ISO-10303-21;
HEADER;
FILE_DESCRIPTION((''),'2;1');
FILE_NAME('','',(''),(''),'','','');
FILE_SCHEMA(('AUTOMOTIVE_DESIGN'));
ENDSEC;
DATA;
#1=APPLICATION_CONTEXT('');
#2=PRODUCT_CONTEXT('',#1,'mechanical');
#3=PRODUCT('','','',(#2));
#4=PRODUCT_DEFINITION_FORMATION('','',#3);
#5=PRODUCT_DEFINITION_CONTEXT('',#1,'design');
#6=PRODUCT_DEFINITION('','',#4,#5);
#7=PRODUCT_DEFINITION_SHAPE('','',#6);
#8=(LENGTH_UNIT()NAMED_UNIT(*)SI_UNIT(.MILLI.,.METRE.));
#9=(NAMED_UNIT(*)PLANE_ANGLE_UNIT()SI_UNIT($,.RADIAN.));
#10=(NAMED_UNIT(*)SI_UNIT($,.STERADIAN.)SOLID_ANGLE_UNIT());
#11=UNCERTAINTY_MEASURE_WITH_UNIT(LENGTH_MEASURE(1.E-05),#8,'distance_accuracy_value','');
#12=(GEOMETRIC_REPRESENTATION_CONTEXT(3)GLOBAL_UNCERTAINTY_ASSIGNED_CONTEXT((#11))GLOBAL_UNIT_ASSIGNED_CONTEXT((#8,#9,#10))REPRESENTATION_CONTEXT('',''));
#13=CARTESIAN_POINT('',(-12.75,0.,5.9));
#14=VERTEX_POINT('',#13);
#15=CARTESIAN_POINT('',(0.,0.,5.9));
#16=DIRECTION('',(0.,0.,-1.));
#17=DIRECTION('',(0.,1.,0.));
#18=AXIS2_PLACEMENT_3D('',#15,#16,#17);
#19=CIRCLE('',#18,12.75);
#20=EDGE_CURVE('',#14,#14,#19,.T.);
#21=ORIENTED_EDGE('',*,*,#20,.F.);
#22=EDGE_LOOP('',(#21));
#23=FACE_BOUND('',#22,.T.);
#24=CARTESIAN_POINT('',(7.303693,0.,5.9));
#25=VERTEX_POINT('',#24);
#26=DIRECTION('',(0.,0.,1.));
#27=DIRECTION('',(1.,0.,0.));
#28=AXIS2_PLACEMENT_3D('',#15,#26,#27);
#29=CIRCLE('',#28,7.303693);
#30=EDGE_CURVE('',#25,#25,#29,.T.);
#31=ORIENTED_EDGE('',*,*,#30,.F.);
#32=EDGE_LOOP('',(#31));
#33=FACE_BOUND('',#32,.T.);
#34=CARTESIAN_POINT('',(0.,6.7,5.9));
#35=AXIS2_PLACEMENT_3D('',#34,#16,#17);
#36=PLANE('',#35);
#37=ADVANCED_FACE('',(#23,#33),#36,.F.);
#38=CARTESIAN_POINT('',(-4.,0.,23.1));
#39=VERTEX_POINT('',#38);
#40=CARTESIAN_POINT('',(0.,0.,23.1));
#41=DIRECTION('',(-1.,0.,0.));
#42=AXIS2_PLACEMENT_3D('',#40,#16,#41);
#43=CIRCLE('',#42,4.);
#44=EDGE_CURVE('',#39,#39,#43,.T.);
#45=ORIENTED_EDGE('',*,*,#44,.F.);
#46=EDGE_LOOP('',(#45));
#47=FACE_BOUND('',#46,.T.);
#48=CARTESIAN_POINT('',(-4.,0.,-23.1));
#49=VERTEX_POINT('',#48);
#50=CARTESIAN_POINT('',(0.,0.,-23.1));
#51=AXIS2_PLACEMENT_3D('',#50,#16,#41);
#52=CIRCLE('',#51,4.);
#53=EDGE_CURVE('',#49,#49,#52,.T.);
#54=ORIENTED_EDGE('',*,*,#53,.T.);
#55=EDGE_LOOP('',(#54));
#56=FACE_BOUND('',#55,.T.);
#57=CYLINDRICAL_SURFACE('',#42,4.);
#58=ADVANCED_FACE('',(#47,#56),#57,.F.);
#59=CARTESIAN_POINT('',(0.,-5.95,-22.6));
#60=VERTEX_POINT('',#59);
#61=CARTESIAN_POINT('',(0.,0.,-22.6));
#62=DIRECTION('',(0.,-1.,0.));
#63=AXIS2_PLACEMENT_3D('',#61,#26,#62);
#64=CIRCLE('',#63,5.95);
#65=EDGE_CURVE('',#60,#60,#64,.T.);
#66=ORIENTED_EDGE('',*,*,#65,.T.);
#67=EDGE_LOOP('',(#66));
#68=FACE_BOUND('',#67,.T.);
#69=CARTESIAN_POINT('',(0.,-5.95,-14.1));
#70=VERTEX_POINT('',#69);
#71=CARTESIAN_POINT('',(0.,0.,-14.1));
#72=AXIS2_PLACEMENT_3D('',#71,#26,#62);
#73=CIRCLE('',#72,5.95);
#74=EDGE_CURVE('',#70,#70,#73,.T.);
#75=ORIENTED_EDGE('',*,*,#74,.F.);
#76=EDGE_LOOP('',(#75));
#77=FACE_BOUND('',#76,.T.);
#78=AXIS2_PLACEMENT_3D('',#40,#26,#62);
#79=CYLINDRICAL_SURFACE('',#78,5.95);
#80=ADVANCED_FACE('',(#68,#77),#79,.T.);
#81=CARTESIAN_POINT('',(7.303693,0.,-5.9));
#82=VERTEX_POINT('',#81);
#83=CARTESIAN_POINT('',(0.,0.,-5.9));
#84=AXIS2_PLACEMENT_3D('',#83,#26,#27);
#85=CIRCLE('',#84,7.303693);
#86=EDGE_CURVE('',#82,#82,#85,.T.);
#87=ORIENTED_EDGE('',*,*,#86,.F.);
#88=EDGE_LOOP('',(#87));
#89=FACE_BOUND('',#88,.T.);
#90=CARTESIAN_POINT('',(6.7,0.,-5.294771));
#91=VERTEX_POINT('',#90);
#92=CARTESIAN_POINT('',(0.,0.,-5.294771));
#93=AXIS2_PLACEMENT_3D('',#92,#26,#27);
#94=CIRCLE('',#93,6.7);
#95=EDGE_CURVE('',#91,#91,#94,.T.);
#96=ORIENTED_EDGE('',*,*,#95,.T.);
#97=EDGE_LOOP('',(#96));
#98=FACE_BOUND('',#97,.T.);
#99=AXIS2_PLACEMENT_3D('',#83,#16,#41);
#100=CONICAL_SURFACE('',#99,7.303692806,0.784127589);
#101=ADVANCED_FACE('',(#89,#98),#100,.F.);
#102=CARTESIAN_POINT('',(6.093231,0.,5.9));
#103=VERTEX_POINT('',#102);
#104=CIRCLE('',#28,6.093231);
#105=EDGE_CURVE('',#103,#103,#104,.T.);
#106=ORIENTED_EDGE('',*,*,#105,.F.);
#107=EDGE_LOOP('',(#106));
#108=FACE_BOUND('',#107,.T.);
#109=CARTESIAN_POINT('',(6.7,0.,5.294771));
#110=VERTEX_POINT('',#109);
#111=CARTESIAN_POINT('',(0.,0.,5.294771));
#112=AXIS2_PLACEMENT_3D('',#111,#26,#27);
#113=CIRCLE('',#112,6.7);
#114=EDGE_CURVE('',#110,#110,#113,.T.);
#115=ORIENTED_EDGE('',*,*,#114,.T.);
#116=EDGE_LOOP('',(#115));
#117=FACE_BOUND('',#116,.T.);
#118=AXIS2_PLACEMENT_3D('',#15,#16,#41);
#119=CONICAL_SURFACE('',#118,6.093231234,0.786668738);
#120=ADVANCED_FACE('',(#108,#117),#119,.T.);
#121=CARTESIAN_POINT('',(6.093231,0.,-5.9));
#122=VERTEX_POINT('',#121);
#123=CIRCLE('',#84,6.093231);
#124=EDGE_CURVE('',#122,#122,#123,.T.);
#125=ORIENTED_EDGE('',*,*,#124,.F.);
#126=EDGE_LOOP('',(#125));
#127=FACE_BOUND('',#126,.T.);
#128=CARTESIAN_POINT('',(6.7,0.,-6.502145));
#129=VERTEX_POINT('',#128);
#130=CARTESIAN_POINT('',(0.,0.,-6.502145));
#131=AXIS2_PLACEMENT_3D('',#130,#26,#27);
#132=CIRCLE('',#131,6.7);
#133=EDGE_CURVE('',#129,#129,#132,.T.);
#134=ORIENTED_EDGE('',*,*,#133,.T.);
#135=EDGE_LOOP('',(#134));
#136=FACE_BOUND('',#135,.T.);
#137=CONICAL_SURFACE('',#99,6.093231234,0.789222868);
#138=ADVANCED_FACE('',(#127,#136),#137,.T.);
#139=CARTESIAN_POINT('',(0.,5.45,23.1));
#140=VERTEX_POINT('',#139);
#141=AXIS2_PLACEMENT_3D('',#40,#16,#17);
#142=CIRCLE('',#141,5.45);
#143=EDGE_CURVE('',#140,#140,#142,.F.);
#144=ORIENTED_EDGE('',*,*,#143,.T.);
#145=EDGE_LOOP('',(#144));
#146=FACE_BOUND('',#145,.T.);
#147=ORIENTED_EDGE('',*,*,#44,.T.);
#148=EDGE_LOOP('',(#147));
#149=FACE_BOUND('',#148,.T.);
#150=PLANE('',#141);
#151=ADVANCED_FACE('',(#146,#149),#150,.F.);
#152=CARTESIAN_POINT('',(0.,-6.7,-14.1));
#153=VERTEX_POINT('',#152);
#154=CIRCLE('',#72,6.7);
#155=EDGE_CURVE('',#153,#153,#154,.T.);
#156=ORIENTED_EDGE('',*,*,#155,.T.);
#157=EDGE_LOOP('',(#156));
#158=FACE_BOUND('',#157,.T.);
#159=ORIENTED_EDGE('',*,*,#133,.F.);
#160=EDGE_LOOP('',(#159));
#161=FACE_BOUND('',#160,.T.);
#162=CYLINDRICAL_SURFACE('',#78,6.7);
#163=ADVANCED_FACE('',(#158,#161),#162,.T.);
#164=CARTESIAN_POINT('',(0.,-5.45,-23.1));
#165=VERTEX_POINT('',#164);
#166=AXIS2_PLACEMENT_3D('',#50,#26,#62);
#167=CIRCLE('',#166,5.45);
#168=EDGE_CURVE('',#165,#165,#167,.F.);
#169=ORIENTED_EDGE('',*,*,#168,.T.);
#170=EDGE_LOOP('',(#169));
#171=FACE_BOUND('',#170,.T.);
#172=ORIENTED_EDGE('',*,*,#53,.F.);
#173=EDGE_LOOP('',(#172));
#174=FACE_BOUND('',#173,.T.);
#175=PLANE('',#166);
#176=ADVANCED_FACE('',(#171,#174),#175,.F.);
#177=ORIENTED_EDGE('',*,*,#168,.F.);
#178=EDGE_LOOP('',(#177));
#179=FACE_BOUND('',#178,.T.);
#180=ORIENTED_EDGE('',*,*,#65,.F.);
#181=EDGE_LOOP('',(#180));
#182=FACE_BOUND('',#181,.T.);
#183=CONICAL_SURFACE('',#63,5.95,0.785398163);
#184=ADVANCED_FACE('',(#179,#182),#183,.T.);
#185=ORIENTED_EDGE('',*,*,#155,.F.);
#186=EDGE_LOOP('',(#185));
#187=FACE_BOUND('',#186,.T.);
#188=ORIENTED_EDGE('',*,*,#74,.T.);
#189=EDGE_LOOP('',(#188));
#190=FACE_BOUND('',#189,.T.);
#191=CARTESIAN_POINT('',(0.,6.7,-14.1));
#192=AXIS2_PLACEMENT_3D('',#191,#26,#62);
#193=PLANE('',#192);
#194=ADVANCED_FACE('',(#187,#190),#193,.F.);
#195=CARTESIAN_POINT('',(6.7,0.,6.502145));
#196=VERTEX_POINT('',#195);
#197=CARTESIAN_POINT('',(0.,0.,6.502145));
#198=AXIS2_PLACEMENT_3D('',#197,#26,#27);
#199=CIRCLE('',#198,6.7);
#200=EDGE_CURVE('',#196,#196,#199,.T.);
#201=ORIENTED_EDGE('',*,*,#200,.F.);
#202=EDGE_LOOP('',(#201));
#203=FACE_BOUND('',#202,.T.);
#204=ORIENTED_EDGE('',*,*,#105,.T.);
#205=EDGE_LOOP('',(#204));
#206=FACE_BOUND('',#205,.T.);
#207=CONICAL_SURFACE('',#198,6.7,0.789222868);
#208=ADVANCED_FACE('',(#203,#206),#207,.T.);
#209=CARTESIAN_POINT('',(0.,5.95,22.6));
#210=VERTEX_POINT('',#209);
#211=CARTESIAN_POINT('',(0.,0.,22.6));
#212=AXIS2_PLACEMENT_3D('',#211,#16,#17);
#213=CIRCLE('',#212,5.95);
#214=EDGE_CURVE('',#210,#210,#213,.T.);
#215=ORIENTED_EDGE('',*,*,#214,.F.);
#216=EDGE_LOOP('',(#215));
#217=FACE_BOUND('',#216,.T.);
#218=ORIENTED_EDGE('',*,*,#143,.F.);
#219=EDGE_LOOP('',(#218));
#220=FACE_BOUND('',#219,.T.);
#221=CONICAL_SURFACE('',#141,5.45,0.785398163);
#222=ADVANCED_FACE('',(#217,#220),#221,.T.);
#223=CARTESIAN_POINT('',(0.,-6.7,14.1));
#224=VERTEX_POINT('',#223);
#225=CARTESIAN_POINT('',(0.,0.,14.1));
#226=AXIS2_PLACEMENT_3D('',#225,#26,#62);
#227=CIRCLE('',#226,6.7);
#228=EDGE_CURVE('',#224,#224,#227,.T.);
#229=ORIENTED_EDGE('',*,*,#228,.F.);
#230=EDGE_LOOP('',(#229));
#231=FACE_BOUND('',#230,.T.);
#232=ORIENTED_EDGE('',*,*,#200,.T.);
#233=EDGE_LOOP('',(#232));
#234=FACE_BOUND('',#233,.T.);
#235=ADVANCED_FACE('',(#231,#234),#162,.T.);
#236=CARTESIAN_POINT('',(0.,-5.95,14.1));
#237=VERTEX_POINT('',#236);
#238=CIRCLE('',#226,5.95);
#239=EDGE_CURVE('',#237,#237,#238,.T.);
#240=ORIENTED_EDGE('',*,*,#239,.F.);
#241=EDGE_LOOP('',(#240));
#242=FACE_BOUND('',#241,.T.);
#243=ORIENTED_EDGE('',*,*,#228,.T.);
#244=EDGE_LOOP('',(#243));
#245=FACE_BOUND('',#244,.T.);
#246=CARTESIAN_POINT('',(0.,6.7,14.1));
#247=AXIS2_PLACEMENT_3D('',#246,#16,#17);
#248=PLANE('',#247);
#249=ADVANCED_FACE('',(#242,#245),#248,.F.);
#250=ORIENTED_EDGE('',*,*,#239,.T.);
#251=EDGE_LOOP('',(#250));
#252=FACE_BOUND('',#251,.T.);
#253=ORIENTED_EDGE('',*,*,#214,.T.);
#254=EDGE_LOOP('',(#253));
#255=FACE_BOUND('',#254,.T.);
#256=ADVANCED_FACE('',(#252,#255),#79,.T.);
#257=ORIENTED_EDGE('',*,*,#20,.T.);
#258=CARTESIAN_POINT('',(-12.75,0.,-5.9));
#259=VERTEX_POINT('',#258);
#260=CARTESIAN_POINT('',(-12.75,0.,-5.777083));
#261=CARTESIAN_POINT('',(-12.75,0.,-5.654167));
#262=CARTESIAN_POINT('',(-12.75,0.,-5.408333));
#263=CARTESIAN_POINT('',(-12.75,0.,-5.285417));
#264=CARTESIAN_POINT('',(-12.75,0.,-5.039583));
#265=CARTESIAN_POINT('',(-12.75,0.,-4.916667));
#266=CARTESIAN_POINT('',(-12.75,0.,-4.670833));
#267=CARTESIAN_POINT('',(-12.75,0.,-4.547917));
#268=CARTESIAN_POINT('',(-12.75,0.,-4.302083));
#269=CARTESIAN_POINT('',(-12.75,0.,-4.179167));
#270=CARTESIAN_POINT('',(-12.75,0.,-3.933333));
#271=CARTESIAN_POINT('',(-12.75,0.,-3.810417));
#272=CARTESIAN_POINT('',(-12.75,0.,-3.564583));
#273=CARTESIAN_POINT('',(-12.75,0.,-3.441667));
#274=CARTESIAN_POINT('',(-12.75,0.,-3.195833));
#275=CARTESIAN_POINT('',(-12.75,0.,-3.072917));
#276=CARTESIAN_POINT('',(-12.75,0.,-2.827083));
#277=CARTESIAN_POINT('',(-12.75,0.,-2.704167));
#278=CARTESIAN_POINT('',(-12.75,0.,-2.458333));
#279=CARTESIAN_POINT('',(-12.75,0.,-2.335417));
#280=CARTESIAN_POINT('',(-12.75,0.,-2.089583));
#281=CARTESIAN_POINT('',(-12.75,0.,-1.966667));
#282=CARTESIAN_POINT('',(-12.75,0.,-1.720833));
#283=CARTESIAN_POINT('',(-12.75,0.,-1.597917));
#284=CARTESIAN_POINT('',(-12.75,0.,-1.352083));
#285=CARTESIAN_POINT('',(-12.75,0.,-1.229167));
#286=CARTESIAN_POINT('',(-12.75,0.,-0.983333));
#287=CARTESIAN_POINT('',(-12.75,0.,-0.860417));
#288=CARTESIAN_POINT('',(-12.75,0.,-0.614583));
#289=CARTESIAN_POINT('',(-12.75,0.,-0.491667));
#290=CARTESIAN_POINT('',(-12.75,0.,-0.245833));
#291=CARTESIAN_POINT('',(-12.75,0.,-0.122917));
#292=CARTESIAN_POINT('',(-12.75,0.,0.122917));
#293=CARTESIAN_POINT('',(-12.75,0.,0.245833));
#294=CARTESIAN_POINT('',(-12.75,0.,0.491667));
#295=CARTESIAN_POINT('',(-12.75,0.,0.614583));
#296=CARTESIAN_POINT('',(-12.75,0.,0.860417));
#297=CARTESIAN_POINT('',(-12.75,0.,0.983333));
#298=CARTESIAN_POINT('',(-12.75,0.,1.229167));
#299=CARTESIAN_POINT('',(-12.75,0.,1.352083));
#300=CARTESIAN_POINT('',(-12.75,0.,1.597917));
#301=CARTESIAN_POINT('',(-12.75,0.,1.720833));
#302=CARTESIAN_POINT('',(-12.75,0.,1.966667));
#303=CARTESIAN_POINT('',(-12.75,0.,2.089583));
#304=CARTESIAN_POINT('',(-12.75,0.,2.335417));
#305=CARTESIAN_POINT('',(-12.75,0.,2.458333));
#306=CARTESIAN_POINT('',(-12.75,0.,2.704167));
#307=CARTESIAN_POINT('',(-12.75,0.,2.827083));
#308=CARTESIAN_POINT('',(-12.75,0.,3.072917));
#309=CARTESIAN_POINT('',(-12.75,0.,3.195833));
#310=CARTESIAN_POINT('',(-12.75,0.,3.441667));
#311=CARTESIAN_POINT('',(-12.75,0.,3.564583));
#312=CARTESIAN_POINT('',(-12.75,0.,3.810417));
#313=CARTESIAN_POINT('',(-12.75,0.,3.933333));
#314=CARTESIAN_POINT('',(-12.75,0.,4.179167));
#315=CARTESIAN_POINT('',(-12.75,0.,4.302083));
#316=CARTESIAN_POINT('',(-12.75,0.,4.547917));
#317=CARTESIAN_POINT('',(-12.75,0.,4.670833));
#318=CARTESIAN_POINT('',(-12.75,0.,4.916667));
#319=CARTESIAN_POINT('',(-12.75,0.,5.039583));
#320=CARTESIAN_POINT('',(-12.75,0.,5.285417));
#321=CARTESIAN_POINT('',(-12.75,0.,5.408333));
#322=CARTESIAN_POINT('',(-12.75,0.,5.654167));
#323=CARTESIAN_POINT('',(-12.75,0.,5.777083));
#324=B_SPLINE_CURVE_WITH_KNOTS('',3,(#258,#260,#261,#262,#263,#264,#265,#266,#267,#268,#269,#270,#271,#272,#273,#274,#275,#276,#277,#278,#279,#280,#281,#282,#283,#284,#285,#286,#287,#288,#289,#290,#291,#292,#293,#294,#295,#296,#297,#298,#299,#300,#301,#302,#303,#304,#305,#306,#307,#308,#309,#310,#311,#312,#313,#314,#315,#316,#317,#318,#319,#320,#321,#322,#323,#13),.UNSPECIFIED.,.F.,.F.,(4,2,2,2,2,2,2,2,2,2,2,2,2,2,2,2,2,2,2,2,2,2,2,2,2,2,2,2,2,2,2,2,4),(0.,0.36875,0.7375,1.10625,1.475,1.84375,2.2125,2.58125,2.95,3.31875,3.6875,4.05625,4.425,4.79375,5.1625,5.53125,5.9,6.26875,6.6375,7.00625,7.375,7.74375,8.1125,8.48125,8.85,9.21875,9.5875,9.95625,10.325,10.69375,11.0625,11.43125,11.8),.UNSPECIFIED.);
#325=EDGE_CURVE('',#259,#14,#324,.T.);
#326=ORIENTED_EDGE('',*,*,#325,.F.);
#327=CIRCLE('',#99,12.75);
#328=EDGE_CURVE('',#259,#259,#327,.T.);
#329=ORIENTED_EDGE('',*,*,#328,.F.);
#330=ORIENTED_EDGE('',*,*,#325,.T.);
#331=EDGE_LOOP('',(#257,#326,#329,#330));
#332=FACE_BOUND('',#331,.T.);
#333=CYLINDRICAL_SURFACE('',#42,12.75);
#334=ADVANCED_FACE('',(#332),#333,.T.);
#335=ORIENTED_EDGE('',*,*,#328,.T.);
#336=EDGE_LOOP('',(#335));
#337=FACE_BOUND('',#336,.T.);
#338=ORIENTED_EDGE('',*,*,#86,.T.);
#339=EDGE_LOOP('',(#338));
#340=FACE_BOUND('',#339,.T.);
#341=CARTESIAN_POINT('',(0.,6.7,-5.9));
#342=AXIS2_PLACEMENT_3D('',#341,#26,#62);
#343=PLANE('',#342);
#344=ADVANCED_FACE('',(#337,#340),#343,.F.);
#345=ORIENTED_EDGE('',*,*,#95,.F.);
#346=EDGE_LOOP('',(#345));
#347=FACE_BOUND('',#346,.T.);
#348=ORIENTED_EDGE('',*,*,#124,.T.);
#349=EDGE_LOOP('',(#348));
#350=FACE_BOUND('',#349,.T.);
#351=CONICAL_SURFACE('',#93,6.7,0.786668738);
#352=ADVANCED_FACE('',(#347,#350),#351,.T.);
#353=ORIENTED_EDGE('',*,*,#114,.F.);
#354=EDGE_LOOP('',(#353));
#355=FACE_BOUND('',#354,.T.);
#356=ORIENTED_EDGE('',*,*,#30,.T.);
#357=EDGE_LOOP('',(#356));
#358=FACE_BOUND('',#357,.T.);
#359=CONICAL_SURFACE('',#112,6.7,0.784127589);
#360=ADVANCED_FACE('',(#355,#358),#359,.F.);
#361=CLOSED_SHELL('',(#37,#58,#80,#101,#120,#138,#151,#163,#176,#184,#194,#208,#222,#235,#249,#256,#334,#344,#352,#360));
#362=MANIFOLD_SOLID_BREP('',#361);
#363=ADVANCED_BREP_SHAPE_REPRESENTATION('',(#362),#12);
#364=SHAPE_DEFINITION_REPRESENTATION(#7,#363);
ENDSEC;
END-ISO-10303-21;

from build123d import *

# Parameters (mm, degrees)
SKETCH_2_R          = 1.5
CUT_EXTRUDE_1_DEPTH = 36.114099732
SKETCH_4_R          = 14
SKETCH_4_R_2        = 12.75
CUT_EXTRUDE_4_DEPTH = 36.114099732
CUT_EXTRUDE_5_DEPTH = 35.148572445
SKETCH_6_R          = 4
CUT_EXTRUDE_6_DEPTH = 50.594001653
SKETCH_7_R          = 12.75
SKETCH_7_R_2        = 6.7
EXTRUDE_1_DEPTH     = 11.8
CHAMFER_1_SIZE      = 0.5


with BuildPart() as part:
    # 草图1 → 旋转1 (revolve)
    with BuildSketch(Plane(origin=(0, 0, 0), x_dir=(0, 0, -1), z_dir=(1, 0, 0)), mode=Mode.PRIVATE) as revolve_1_sk:
        Polygon((-23.1, 0), (-23.1, 5.95), (-14.1, 5.95), (-14.1, 6.7), (-5.9, 6.7), (-5.9, 14), (5.9, 14), (5.9, 6.7), (14.1, 6.7), (14.1, 5.95), (23.1, 5.95), (23.1, 0), align=None)
    revolve(revolve_1_sk.sketch.rotate(Axis((0, 0, 23.1), (0, 0, -1)), 180), axis=Axis((0, 0, 23.1), (0, 0, -1)))

    # 草图2 → 切除-拉伸1 (cut, through all)
    with BuildSketch(Plane.XY.offset(5.9)):
        with Locations((0, 10.5)):
            Circle(SKETCH_2_R)
        with Locations((10.5, 0)):
            Circle(SKETCH_2_R)
        with Locations((0, -10.5)):
            Circle(SKETCH_2_R)
        with Locations((-10.5, 0)):
            Circle(SKETCH_2_R)
    extrude(amount=-CUT_EXTRUDE_1_DEPTH, mode=Mode.SUBTRACT)

    # 草图4 → 切除-拉伸4 (cut, through all)
    with BuildSketch(Plane(origin=(0, 0, -5.9), x_dir=(-1, 0, 0), z_dir=(0, 0, -1))):
        Circle(SKETCH_4_R)
        Circle(SKETCH_4_R_2, mode=Mode.SUBTRACT)
    extrude(amount=-CUT_EXTRUDE_4_DEPTH, mode=Mode.SUBTRACT)

    # 草图5 → 切除-拉伸5 (cut, through all)
    with BuildSketch(Plane(origin=(0, 0, -5.9), x_dir=(-1, 0, 0), z_dir=(0, 0, -1))):
        with BuildLine():
            Line((-9.26871571, 3.618136135), (-8.331955809, 3.252462513))
            ThreePointArc((-8.331955809, 3.252462513), (-7.618330669, 3.247249598), (-7.082950618, 3.719114215))
            ThreePointArc((-7.082950618, 3.719114215), (-5.656854249, 5.656854249), (-3.719114215, 7.082950618))
            ThreePointArc((-3.719114215, 7.082950618), (-3.247249598, 7.618330669), (-3.252462513, 8.331955809))
            Line((-3.252462513, 8.331955809), (-3.618136135, 9.26871571))
            ThreePointArc((-3.618136135, 9.26871571), (-4.194460373, 9.839863314), (-5.004644825, 9.795587281))
            ThreePointArc((-5.004644825, 9.795587281), (-7.778174593, 7.778174593), (-9.795587281, 5.004644825))
            ThreePointArc((-9.795587281, 5.004644825), (-9.839863314, 4.194460373), (-9.26871571, 3.618136135))
        make_face()
        with BuildLine():
            Line((3.618136135, 9.26871571), (3.252462513, 8.331955809))
            ThreePointArc((3.252462513, 8.331955809), (3.247249598, 7.618330669), (3.719114215, 7.082950618))
            ThreePointArc((3.719114215, 7.082950618), (5.656854249, 5.656854249), (7.082950618, 3.719114215))
            ThreePointArc((7.082950618, 3.719114215), (7.618330669, 3.247249598), (8.331955809, 3.252462513))
            Line((8.331955809, 3.252462513), (9.26871571, 3.618136135))
            ThreePointArc((9.26871571, 3.618136135), (9.839863314, 4.194460373), (9.795587281, 5.004644825))
            ThreePointArc((9.795587281, 5.004644825), (7.778174593, 7.778174593), (5.004644825, 9.795587281))
            ThreePointArc((5.004644825, 9.795587281), (4.194460373, 9.839863314), (3.618136135, 9.26871571))
        make_face()
        with BuildLine():
            Line((9.26871571, -3.618136135), (8.331955809, -3.252462513))
            ThreePointArc((8.331955809, -3.252462513), (7.618330669, -3.247249598), (7.082950618, -3.719114215))
            ThreePointArc((7.082950618, -3.719114215), (5.656854249, -5.656854249), (3.719114215, -7.082950618))
            ThreePointArc((3.719114215, -7.082950618), (3.247249598, -7.618330669), (3.252462513, -8.331955809))
            Line((3.252462513, -8.331955809), (3.618136135, -9.26871571))
            ThreePointArc((3.618136135, -9.26871571), (4.194460373, -9.839863314), (5.004644825, -9.795587281))
            ThreePointArc((5.004644825, -9.795587281), (7.778174593, -7.778174593), (9.795587281, -5.004644825))
            ThreePointArc((9.795587281, -5.004644825), (9.839863314, -4.194460373), (9.26871571, -3.618136135))
        make_face()
        with BuildLine():
            Line((-3.618136135, -9.26871571), (-3.252462513, -8.331955809))
            ThreePointArc((-3.252462513, -8.331955809), (-3.247249598, -7.618330669), (-3.719114215, -7.082950618))
            ThreePointArc((-3.719114215, -7.082950618), (-5.656854249, -5.656854249), (-7.082950618, -3.719114215))
            ThreePointArc((-7.082950618, -3.719114215), (-7.618330669, -3.247249598), (-8.331955809, -3.252462513))
            Line((-8.331955809, -3.252462513), (-9.26871571, -3.618136135))
            ThreePointArc((-9.26871571, -3.618136135), (-9.839863314, -4.194460373), (-9.795587281, -5.004644825))
            ThreePointArc((-9.795587281, -5.004644825), (-7.778174593, -7.778174593), (-5.004644825, -9.795587281))
            ThreePointArc((-5.004644825, -9.795587281), (-4.194460373, -9.839863314), (-3.618136135, -9.26871571))
        make_face()
    extrude(amount=-CUT_EXTRUDE_5_DEPTH, mode=Mode.SUBTRACT)

    # 草图6 → 切除-拉伸6 (cut, through all)
    with BuildSketch(Plane(origin=(0, 0, -23.1), x_dir=(-1, 0, 0), z_dir=(0, 0, -1))):
        Circle(SKETCH_6_R)
    extrude(amount=-CUT_EXTRUDE_6_DEPTH, mode=Mode.SUBTRACT)

    # 草图7 → 凸台-拉伸1 (add)
    with BuildSketch(Plane(origin=(0, 0, -5.9), x_dir=(-1, 0, 0), z_dir=(0, 0, -1))):
        Circle(SKETCH_7_R)
        with Locations(Location((0, 0, 0), (0, 0, 270))):
            Circle(SKETCH_7_R_2, mode=Mode.SUBTRACT)
    extrude(amount=-EXTRUDE_1_DEPTH)

    # 草图8 → 切除-旋转1 (revolve, cut)
    with BuildSketch(Plane(origin=(0, 0, 0), x_dir=(0, 0, -1), z_dir=(1, 0, 0)), mode=Mode.PRIVATE) as cut_revolve_1_sk:
        Polygon((-6.502145005, 6.7), (-5.9, 6.093231234), (-5.294771168, 6.7), (-5.9, 7.303692806), align=None)
        Polygon((6.502145005, 6.7), (5.9, 7.303692806), (5.294771168, 6.7), (5.9, 6.093231234), align=None)
    revolve(cut_revolve_1_sk.sketch.rotate(Axis((0, 0, 0), (0, 0, -1)), 90), axis=Axis((0, 0, 0), (0, 0, -1)), mode=Mode.SUBTRACT)

    # 倒角1
    chamfer_1_edges = [part.edges().sort_by_distance(p)[0] for p in [
        (0, 5.95, -23.1),
        (0, 5.95, 23.1),
    ]]
    chamfer(chamfer_1_edges, length=CHAMFER_1_SIZE)


solid = part.part
